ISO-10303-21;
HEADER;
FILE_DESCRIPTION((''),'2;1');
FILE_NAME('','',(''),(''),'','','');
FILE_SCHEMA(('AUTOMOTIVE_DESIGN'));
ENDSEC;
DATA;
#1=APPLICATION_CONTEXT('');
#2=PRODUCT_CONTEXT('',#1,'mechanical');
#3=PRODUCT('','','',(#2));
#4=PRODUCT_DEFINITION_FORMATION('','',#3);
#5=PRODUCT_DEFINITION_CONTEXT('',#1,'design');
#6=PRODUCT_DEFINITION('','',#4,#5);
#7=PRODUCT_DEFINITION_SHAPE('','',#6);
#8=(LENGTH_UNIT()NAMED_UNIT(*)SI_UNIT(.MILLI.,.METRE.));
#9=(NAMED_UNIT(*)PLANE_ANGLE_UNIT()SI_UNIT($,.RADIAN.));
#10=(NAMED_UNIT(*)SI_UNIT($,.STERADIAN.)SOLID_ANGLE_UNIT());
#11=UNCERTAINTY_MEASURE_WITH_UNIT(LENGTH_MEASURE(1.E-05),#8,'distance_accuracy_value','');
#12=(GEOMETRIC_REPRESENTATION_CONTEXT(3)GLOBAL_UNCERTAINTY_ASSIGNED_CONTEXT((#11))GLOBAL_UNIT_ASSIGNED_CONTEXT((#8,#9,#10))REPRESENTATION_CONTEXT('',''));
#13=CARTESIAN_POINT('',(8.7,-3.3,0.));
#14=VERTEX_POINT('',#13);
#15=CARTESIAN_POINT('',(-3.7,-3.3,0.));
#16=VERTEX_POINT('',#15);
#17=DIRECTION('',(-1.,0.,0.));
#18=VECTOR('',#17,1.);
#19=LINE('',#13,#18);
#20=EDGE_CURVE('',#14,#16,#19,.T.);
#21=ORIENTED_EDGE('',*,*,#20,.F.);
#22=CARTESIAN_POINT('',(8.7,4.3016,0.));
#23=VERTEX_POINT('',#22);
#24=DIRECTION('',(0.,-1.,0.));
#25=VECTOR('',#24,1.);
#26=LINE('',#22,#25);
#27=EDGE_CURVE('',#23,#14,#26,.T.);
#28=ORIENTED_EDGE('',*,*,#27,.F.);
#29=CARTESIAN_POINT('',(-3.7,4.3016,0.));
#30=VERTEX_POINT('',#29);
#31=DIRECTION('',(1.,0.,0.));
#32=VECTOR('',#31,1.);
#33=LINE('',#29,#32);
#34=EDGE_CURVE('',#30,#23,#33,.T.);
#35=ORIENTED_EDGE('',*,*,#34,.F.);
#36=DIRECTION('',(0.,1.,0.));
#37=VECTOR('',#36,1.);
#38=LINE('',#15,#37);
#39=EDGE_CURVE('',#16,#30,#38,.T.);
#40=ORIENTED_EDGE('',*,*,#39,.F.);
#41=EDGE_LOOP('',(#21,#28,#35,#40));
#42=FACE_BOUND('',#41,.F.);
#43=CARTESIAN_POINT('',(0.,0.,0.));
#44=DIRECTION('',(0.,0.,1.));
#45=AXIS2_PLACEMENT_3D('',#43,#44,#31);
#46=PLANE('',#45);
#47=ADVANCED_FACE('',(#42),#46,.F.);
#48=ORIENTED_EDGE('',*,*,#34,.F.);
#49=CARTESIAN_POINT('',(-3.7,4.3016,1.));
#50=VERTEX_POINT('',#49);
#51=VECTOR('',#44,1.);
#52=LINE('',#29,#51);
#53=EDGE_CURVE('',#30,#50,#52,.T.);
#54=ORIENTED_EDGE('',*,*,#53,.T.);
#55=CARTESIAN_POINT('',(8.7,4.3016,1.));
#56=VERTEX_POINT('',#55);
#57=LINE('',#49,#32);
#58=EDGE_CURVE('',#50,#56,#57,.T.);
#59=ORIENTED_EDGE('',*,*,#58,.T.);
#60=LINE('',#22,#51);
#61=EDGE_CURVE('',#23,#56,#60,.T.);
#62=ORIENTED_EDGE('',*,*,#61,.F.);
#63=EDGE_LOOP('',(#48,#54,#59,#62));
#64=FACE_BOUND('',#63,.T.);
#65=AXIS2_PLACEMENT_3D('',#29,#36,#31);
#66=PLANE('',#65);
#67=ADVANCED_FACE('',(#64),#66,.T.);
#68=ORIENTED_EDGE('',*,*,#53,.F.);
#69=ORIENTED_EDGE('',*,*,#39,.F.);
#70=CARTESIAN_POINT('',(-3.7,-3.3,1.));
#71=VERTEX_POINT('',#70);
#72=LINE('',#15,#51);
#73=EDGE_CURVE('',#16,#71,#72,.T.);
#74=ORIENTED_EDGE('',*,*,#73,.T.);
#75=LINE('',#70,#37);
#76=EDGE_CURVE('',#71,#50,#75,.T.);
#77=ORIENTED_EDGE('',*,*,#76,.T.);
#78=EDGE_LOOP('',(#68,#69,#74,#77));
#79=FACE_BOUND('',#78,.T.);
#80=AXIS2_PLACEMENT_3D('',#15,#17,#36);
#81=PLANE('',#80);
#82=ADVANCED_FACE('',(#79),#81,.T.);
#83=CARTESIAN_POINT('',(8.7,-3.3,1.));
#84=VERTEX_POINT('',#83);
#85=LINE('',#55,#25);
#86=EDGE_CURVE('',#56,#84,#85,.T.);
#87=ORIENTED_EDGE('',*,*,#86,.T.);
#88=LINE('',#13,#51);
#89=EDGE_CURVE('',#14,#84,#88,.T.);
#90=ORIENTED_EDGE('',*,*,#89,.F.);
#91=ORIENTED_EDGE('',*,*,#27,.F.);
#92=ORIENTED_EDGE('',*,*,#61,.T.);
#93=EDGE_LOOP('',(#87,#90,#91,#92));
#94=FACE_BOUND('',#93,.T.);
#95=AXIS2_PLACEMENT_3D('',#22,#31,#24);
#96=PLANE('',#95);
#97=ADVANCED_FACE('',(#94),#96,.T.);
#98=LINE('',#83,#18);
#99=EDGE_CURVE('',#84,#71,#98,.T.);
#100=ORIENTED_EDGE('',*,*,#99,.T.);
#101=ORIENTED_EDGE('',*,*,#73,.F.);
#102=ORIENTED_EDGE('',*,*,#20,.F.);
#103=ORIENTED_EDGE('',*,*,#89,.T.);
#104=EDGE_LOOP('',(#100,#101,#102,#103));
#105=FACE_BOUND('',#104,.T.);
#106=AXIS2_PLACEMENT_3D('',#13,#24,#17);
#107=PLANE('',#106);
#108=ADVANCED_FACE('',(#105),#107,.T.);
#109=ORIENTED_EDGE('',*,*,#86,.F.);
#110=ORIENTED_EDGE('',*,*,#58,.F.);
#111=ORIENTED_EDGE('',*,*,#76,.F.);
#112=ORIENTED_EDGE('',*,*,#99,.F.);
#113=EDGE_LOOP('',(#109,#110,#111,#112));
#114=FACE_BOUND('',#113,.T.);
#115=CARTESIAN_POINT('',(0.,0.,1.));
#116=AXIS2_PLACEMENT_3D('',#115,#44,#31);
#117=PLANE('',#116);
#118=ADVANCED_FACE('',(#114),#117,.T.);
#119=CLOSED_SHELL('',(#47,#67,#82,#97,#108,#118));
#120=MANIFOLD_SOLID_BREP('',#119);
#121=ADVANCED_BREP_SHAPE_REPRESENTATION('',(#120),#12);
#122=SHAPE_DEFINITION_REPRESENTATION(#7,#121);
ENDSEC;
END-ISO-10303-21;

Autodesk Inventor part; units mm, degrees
ref_plane "YZ Plane" through (0, 0, 0) normal (1, 0, 0) x (0, 1, 0)
ref_plane "XZ Plane" through (0, 0, 0) normal (0, 1, 0) x (-1, 0, 0)
ref_plane "XY Plane" through (0, 0, 0) normal (0, 0, 1) x (1, 0, 0)
sketch "SCREWTERMINAL-5MM-2, J2_SCREWTERMINAL-5MM-2_6" plane through (0, 0, 0) normal (0, 0, 1) x (1, 0, 0)
  line L0 (-3.7, 4.3016) -> (8.7, 4.3016)
  line L1 (8.7, 4.3016) -> (8.7, -3.3)
  line L2 (8.7, -3.3) -> (-3.7, -3.3)
  line L3 (-3.7, -3.3) -> (-3.7, 4.3016)
extrude "Выдавливание1" add sketch "SCREWTERMINAL-5MM-2, J2_SCREWTERMINAL-5MM-2_6" along normal blind 1
properties part number "J2_SCREWTERMINAL-5MM-2"
